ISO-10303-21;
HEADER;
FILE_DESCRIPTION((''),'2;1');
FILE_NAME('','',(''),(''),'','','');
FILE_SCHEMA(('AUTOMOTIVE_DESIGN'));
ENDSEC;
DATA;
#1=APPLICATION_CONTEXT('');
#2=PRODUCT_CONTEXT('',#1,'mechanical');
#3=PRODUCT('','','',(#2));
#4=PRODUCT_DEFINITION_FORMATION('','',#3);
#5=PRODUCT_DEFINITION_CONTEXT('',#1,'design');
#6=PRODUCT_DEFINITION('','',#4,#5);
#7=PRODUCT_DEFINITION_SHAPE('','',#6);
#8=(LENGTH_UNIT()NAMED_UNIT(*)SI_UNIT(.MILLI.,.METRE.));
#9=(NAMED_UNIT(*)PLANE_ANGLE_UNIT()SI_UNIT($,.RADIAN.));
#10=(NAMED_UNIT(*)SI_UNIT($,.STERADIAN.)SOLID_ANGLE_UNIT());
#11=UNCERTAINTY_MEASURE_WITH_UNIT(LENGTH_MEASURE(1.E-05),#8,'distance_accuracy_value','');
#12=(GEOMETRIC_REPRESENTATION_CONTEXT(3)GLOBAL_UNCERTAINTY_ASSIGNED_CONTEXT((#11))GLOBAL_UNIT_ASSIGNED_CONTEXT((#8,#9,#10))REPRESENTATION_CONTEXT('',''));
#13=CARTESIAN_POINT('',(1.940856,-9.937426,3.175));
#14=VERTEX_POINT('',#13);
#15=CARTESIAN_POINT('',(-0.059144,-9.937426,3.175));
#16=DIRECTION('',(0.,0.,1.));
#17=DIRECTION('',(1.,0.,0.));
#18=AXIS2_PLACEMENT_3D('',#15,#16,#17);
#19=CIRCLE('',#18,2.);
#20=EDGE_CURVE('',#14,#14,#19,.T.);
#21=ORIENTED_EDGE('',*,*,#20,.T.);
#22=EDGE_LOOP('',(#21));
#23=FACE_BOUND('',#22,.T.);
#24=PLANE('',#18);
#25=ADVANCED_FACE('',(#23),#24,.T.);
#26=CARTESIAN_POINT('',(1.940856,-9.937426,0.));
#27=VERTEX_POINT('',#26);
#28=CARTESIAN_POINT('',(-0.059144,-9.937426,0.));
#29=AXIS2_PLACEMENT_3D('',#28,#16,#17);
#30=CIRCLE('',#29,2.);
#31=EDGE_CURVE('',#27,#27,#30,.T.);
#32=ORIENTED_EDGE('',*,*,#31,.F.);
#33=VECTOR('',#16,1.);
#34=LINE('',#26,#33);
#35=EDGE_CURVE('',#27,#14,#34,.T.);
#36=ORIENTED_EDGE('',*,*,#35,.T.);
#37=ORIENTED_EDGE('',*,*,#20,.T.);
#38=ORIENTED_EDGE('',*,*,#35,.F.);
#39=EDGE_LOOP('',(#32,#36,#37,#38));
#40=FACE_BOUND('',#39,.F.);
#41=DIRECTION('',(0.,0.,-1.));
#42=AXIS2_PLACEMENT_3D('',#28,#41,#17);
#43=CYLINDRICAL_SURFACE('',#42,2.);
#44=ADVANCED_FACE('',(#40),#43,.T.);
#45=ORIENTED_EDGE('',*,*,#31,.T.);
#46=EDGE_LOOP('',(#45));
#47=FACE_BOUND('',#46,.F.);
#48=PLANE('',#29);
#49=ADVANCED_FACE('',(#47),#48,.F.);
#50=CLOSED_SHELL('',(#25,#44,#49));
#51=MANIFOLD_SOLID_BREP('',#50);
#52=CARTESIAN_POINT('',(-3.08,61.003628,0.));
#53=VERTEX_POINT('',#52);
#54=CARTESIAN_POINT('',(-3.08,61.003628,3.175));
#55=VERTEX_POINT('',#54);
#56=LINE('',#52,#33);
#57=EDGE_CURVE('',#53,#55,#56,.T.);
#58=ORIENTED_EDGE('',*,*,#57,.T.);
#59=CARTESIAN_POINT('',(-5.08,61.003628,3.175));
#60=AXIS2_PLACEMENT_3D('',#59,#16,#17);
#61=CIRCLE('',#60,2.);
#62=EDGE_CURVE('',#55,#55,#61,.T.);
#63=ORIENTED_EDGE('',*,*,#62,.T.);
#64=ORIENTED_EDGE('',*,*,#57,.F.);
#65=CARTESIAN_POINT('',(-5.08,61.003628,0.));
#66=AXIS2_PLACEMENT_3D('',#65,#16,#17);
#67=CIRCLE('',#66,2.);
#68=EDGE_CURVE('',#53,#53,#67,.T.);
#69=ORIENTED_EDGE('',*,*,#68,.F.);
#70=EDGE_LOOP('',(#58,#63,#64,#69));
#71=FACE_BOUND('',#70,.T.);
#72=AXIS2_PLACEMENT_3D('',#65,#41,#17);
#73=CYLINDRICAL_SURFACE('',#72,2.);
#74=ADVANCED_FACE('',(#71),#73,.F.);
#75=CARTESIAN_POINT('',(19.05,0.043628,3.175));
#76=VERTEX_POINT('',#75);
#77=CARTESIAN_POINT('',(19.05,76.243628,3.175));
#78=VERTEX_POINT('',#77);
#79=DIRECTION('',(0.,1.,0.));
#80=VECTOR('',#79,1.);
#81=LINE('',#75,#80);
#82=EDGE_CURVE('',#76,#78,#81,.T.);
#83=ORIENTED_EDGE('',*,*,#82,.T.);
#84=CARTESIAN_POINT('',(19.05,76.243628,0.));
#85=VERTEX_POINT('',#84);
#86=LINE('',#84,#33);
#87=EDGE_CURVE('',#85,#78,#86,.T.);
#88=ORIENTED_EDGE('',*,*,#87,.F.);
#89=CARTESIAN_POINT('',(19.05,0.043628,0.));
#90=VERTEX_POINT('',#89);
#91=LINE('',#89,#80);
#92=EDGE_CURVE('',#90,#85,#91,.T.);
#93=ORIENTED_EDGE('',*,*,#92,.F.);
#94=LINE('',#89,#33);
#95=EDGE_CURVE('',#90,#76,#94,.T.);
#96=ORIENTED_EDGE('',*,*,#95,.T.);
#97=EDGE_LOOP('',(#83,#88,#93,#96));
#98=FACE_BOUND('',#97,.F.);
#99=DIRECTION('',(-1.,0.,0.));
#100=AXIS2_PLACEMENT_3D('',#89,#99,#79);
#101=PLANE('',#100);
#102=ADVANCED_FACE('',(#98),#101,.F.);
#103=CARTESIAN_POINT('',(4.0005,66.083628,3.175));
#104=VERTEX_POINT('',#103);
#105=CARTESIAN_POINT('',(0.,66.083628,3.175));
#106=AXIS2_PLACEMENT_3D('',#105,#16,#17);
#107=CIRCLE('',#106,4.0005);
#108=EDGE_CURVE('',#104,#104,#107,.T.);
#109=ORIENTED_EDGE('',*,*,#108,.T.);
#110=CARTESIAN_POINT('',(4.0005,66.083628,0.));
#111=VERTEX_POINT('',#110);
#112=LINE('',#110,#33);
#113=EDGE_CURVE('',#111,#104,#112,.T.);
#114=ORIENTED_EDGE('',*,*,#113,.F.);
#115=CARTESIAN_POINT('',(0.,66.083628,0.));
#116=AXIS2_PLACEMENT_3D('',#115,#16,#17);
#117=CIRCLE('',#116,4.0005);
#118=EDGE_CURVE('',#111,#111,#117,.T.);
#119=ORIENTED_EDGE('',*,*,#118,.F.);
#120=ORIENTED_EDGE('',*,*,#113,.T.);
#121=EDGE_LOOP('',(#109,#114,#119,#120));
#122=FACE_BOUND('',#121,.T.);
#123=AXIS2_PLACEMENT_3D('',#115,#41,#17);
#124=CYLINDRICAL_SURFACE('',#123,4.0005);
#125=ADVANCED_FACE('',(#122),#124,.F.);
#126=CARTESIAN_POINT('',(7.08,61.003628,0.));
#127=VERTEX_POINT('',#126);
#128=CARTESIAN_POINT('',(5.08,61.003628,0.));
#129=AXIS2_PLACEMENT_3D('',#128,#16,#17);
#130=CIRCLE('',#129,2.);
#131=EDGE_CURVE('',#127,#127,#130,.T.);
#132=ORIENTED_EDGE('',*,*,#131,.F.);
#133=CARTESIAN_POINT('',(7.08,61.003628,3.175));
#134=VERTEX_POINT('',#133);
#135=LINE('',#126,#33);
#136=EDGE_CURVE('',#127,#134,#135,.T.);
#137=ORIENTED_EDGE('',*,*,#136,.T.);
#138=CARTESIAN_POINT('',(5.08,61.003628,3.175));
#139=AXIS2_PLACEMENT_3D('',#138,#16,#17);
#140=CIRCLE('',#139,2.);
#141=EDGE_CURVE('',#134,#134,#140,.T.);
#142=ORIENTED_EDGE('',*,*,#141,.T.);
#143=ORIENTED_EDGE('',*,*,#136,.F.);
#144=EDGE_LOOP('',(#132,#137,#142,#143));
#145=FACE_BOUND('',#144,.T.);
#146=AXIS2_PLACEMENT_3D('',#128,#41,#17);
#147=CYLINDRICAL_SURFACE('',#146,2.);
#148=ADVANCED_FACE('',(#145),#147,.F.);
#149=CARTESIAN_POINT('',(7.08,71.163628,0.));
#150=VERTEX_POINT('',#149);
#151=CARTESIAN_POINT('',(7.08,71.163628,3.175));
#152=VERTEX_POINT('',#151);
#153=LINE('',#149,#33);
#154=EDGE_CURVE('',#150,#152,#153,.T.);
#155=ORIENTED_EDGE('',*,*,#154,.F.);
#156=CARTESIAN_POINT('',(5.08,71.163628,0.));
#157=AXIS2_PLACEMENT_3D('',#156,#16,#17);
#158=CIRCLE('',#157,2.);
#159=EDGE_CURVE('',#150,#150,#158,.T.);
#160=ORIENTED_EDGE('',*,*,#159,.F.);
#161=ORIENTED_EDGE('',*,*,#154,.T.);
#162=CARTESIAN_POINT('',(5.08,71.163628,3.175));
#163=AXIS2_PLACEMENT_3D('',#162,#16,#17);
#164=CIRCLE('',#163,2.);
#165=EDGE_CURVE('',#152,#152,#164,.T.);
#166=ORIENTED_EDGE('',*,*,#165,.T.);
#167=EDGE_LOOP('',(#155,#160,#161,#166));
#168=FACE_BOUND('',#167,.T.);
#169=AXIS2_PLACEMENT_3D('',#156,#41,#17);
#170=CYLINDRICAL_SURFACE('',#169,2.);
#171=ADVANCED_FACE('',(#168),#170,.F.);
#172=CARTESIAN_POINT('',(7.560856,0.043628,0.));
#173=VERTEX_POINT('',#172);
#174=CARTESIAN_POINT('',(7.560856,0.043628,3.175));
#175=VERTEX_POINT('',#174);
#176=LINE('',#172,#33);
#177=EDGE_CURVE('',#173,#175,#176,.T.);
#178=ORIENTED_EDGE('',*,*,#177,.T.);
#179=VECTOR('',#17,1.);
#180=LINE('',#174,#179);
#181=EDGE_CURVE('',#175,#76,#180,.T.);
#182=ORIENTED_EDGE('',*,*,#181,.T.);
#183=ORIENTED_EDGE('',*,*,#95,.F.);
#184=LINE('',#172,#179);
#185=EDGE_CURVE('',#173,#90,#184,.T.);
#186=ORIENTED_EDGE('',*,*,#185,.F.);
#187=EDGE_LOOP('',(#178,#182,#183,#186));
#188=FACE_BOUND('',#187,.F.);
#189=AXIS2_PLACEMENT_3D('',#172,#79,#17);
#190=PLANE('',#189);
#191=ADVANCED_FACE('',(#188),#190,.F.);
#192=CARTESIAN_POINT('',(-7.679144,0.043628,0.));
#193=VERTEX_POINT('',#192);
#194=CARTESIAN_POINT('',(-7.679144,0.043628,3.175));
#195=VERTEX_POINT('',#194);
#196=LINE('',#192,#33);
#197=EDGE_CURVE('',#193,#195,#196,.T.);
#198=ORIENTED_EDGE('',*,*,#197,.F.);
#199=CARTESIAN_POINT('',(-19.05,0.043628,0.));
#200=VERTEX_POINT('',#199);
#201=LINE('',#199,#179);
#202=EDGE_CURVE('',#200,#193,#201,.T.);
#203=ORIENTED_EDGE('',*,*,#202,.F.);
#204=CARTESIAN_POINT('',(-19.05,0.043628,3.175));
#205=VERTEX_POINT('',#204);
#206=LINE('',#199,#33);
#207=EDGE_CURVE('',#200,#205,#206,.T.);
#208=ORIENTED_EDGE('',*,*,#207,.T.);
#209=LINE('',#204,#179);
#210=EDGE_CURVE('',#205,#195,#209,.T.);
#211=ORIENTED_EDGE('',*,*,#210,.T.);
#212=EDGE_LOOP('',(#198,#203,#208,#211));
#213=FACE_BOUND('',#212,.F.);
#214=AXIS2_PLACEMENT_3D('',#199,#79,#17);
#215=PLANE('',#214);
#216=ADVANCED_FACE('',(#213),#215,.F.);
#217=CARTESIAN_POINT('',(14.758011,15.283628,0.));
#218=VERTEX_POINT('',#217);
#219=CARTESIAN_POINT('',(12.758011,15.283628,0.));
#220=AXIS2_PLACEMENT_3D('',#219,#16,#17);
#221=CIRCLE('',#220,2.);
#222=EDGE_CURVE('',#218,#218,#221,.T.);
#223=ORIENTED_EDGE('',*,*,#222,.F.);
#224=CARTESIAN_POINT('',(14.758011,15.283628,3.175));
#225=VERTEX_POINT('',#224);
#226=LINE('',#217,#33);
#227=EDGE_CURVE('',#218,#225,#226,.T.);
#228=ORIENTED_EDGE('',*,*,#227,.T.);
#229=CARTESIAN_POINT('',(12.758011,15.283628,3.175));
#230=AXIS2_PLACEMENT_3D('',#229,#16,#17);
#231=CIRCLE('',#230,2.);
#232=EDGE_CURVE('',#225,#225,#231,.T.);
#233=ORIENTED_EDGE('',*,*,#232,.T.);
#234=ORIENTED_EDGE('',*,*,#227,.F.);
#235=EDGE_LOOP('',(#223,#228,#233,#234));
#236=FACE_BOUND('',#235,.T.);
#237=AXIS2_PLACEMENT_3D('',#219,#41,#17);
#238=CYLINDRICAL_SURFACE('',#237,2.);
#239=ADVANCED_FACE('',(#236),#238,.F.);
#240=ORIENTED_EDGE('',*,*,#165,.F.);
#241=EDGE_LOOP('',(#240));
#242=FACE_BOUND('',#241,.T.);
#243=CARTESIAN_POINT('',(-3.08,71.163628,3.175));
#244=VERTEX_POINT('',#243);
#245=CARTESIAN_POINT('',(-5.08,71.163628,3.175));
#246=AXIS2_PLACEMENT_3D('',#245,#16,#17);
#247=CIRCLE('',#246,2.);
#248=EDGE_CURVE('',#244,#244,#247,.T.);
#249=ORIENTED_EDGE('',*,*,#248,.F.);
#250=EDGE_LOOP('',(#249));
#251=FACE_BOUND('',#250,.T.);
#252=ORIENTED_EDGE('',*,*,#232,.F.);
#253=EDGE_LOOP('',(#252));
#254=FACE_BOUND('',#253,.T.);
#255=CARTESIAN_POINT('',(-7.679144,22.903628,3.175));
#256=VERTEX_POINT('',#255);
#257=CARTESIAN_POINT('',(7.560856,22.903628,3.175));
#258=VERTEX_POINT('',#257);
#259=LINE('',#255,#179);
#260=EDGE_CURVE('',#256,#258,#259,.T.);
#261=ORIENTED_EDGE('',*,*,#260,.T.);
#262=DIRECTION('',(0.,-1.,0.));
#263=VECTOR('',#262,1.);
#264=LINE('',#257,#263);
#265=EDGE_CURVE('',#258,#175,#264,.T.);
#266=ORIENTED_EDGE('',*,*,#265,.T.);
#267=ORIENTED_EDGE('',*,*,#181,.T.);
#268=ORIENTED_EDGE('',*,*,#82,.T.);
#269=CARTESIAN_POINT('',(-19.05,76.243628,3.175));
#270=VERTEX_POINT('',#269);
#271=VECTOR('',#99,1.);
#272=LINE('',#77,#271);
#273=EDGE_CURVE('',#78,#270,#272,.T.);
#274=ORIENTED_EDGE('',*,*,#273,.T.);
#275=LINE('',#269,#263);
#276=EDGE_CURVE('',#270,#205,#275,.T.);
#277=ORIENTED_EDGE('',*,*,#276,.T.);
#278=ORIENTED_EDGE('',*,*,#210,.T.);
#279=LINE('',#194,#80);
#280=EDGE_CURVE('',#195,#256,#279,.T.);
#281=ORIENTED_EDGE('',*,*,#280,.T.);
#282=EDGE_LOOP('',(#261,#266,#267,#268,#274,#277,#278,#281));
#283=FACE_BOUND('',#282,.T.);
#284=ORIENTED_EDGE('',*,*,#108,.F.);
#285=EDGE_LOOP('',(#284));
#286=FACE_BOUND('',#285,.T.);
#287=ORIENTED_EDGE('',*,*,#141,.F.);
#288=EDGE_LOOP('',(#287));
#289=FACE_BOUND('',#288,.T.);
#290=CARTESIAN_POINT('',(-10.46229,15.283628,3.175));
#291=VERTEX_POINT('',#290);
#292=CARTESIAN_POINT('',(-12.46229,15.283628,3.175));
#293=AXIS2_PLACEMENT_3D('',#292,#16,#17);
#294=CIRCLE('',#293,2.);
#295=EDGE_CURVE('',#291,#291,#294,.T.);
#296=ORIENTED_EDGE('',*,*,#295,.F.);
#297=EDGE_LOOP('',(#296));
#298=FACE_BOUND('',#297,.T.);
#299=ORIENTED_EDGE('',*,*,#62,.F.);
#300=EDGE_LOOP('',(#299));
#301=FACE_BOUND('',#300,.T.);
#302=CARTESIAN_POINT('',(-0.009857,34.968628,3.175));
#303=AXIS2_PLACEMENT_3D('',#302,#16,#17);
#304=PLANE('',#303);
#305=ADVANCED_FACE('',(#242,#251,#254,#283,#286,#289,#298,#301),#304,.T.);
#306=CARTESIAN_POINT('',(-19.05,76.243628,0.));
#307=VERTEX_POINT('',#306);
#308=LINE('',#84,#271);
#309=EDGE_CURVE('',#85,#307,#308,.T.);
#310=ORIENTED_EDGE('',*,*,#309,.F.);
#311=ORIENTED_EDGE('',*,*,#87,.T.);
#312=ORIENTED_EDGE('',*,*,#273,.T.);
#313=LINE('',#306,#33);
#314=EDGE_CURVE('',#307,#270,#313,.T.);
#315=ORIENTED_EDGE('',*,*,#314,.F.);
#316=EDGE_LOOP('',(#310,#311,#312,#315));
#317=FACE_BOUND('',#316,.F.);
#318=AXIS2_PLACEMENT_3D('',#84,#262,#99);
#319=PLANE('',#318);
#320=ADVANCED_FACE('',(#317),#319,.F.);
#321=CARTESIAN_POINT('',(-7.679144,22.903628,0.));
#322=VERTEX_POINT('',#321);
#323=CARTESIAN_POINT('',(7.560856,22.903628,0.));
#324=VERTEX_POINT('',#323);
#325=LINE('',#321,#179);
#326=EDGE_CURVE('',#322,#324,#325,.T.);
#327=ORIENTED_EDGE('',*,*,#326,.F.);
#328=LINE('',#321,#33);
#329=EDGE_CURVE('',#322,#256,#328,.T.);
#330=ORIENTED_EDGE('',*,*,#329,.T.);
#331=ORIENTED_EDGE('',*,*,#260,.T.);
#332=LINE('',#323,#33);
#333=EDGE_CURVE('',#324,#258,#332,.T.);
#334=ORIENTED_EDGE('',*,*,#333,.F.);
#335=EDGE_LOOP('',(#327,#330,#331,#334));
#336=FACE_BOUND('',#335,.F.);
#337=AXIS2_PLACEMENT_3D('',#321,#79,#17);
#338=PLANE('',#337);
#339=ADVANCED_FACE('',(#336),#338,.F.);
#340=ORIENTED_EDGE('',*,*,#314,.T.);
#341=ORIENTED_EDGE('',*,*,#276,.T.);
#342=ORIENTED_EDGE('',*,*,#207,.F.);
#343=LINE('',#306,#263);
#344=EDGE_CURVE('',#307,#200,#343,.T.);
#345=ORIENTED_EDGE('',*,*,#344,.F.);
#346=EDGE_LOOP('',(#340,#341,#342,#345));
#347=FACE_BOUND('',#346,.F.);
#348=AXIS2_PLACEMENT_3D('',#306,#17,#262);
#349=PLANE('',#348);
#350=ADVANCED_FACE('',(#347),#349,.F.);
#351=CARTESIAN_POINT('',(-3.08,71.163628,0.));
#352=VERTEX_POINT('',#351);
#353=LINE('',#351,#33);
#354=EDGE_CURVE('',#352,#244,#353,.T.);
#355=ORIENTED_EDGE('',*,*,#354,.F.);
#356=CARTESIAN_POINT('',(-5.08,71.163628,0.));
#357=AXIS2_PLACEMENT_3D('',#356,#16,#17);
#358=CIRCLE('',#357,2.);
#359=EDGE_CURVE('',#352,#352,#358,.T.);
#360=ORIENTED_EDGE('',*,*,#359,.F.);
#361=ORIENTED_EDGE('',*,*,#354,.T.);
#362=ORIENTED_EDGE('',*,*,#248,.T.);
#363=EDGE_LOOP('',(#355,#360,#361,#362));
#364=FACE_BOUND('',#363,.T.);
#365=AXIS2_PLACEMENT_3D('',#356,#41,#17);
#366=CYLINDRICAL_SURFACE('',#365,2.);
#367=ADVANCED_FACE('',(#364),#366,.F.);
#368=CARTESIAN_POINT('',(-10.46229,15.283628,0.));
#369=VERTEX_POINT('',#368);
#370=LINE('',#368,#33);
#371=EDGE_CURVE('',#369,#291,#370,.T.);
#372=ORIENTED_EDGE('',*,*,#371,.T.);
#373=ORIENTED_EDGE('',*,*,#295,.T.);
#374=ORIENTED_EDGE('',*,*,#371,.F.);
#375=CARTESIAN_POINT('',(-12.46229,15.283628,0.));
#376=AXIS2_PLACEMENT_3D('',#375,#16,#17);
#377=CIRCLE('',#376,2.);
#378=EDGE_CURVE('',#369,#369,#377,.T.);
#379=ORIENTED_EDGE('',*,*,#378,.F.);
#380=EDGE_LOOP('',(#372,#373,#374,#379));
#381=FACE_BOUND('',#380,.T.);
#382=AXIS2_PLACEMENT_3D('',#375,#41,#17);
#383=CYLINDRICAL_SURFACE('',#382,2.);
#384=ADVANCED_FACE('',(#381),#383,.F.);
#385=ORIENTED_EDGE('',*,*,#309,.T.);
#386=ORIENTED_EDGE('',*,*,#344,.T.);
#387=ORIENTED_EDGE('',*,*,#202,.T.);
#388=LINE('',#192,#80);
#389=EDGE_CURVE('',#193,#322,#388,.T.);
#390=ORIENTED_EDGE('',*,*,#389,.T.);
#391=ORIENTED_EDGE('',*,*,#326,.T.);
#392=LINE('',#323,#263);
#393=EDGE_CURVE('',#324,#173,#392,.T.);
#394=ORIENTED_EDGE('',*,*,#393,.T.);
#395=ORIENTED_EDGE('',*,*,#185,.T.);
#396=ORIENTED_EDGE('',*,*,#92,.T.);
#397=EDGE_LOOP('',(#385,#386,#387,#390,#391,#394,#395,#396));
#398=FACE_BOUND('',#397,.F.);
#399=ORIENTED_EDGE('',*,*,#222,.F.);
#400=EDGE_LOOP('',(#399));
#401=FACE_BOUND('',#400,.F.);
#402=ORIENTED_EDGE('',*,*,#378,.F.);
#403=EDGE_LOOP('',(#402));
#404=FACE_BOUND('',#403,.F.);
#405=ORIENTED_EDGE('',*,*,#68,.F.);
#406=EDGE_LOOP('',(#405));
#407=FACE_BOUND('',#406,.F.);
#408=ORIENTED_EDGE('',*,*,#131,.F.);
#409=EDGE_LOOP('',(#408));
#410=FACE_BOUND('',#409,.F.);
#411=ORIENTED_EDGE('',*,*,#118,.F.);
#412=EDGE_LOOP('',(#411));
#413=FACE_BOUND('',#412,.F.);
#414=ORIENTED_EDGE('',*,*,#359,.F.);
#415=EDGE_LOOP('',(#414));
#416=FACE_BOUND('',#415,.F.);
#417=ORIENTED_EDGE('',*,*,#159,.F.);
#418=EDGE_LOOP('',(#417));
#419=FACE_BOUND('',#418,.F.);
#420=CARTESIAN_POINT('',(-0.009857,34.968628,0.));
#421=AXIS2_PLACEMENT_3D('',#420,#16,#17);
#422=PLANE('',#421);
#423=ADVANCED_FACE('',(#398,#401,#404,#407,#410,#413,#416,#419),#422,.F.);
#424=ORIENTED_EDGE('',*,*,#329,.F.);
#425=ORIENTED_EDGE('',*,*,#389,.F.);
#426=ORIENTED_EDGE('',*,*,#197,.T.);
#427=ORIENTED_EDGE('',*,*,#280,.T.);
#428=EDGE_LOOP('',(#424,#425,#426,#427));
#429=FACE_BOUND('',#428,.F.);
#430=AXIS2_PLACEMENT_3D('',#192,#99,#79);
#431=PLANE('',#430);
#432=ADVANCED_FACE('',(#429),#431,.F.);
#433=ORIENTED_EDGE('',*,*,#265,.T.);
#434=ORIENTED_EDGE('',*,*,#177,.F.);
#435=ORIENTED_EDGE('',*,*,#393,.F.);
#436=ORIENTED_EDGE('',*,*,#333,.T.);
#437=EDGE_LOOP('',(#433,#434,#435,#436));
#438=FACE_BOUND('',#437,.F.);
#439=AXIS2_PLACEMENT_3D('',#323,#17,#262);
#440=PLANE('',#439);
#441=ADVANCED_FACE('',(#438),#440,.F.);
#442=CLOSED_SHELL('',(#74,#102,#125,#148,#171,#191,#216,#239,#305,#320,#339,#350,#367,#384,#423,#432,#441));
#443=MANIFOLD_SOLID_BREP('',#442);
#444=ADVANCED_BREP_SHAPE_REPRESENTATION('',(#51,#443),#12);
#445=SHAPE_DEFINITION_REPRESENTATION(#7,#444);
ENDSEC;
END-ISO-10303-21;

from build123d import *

# Parameters (mm, degrees)
F0_R     = 2
F0_R_2   = 4.0005
F2_DEPTH = 3.175


with BuildPart() as f2:
    # F0 (on Top) → F2 (new body)
    with BuildSketch(Plane.XY):
        with Locations((-0.059144, -9.937426)):
            Circle(F0_R)
        Polygon((-19.05, 76.243628), (-19.05, 0.043628), (-7.679144, 0.043628), (-7.679144, 22.903628), (7.560856, 22.903628), (7.560856, 0.043628), (19.05, 0.043628), (19.05, 76.243628), align=None)
        with Locations((-12.46229, 15.283628)):
            Circle(F0_R, mode=Mode.SUBTRACT)
        with Locations((12.758011, 15.283628)):
            Circle(F0_R, mode=Mode.SUBTRACT)
        with Locations((-5.08, 61.003628)):
            Circle(F0_R, mode=Mode.SUBTRACT)
        with Locations((-5.08, 71.163628)):
            Circle(F0_R, mode=Mode.SUBTRACT)
        with Locations((5.08, 61.003628)):
            Circle(F0_R, mode=Mode.SUBTRACT)
        with Locations((0, 66.083628)):
            Circle(F0_R_2, mode=Mode.SUBTRACT)
        with Locations((5.08, 71.163628)):
            Circle(F0_R, mode=Mode.SUBTRACT)
    extrude(amount=F2_DEPTH)


solid = f2.part
